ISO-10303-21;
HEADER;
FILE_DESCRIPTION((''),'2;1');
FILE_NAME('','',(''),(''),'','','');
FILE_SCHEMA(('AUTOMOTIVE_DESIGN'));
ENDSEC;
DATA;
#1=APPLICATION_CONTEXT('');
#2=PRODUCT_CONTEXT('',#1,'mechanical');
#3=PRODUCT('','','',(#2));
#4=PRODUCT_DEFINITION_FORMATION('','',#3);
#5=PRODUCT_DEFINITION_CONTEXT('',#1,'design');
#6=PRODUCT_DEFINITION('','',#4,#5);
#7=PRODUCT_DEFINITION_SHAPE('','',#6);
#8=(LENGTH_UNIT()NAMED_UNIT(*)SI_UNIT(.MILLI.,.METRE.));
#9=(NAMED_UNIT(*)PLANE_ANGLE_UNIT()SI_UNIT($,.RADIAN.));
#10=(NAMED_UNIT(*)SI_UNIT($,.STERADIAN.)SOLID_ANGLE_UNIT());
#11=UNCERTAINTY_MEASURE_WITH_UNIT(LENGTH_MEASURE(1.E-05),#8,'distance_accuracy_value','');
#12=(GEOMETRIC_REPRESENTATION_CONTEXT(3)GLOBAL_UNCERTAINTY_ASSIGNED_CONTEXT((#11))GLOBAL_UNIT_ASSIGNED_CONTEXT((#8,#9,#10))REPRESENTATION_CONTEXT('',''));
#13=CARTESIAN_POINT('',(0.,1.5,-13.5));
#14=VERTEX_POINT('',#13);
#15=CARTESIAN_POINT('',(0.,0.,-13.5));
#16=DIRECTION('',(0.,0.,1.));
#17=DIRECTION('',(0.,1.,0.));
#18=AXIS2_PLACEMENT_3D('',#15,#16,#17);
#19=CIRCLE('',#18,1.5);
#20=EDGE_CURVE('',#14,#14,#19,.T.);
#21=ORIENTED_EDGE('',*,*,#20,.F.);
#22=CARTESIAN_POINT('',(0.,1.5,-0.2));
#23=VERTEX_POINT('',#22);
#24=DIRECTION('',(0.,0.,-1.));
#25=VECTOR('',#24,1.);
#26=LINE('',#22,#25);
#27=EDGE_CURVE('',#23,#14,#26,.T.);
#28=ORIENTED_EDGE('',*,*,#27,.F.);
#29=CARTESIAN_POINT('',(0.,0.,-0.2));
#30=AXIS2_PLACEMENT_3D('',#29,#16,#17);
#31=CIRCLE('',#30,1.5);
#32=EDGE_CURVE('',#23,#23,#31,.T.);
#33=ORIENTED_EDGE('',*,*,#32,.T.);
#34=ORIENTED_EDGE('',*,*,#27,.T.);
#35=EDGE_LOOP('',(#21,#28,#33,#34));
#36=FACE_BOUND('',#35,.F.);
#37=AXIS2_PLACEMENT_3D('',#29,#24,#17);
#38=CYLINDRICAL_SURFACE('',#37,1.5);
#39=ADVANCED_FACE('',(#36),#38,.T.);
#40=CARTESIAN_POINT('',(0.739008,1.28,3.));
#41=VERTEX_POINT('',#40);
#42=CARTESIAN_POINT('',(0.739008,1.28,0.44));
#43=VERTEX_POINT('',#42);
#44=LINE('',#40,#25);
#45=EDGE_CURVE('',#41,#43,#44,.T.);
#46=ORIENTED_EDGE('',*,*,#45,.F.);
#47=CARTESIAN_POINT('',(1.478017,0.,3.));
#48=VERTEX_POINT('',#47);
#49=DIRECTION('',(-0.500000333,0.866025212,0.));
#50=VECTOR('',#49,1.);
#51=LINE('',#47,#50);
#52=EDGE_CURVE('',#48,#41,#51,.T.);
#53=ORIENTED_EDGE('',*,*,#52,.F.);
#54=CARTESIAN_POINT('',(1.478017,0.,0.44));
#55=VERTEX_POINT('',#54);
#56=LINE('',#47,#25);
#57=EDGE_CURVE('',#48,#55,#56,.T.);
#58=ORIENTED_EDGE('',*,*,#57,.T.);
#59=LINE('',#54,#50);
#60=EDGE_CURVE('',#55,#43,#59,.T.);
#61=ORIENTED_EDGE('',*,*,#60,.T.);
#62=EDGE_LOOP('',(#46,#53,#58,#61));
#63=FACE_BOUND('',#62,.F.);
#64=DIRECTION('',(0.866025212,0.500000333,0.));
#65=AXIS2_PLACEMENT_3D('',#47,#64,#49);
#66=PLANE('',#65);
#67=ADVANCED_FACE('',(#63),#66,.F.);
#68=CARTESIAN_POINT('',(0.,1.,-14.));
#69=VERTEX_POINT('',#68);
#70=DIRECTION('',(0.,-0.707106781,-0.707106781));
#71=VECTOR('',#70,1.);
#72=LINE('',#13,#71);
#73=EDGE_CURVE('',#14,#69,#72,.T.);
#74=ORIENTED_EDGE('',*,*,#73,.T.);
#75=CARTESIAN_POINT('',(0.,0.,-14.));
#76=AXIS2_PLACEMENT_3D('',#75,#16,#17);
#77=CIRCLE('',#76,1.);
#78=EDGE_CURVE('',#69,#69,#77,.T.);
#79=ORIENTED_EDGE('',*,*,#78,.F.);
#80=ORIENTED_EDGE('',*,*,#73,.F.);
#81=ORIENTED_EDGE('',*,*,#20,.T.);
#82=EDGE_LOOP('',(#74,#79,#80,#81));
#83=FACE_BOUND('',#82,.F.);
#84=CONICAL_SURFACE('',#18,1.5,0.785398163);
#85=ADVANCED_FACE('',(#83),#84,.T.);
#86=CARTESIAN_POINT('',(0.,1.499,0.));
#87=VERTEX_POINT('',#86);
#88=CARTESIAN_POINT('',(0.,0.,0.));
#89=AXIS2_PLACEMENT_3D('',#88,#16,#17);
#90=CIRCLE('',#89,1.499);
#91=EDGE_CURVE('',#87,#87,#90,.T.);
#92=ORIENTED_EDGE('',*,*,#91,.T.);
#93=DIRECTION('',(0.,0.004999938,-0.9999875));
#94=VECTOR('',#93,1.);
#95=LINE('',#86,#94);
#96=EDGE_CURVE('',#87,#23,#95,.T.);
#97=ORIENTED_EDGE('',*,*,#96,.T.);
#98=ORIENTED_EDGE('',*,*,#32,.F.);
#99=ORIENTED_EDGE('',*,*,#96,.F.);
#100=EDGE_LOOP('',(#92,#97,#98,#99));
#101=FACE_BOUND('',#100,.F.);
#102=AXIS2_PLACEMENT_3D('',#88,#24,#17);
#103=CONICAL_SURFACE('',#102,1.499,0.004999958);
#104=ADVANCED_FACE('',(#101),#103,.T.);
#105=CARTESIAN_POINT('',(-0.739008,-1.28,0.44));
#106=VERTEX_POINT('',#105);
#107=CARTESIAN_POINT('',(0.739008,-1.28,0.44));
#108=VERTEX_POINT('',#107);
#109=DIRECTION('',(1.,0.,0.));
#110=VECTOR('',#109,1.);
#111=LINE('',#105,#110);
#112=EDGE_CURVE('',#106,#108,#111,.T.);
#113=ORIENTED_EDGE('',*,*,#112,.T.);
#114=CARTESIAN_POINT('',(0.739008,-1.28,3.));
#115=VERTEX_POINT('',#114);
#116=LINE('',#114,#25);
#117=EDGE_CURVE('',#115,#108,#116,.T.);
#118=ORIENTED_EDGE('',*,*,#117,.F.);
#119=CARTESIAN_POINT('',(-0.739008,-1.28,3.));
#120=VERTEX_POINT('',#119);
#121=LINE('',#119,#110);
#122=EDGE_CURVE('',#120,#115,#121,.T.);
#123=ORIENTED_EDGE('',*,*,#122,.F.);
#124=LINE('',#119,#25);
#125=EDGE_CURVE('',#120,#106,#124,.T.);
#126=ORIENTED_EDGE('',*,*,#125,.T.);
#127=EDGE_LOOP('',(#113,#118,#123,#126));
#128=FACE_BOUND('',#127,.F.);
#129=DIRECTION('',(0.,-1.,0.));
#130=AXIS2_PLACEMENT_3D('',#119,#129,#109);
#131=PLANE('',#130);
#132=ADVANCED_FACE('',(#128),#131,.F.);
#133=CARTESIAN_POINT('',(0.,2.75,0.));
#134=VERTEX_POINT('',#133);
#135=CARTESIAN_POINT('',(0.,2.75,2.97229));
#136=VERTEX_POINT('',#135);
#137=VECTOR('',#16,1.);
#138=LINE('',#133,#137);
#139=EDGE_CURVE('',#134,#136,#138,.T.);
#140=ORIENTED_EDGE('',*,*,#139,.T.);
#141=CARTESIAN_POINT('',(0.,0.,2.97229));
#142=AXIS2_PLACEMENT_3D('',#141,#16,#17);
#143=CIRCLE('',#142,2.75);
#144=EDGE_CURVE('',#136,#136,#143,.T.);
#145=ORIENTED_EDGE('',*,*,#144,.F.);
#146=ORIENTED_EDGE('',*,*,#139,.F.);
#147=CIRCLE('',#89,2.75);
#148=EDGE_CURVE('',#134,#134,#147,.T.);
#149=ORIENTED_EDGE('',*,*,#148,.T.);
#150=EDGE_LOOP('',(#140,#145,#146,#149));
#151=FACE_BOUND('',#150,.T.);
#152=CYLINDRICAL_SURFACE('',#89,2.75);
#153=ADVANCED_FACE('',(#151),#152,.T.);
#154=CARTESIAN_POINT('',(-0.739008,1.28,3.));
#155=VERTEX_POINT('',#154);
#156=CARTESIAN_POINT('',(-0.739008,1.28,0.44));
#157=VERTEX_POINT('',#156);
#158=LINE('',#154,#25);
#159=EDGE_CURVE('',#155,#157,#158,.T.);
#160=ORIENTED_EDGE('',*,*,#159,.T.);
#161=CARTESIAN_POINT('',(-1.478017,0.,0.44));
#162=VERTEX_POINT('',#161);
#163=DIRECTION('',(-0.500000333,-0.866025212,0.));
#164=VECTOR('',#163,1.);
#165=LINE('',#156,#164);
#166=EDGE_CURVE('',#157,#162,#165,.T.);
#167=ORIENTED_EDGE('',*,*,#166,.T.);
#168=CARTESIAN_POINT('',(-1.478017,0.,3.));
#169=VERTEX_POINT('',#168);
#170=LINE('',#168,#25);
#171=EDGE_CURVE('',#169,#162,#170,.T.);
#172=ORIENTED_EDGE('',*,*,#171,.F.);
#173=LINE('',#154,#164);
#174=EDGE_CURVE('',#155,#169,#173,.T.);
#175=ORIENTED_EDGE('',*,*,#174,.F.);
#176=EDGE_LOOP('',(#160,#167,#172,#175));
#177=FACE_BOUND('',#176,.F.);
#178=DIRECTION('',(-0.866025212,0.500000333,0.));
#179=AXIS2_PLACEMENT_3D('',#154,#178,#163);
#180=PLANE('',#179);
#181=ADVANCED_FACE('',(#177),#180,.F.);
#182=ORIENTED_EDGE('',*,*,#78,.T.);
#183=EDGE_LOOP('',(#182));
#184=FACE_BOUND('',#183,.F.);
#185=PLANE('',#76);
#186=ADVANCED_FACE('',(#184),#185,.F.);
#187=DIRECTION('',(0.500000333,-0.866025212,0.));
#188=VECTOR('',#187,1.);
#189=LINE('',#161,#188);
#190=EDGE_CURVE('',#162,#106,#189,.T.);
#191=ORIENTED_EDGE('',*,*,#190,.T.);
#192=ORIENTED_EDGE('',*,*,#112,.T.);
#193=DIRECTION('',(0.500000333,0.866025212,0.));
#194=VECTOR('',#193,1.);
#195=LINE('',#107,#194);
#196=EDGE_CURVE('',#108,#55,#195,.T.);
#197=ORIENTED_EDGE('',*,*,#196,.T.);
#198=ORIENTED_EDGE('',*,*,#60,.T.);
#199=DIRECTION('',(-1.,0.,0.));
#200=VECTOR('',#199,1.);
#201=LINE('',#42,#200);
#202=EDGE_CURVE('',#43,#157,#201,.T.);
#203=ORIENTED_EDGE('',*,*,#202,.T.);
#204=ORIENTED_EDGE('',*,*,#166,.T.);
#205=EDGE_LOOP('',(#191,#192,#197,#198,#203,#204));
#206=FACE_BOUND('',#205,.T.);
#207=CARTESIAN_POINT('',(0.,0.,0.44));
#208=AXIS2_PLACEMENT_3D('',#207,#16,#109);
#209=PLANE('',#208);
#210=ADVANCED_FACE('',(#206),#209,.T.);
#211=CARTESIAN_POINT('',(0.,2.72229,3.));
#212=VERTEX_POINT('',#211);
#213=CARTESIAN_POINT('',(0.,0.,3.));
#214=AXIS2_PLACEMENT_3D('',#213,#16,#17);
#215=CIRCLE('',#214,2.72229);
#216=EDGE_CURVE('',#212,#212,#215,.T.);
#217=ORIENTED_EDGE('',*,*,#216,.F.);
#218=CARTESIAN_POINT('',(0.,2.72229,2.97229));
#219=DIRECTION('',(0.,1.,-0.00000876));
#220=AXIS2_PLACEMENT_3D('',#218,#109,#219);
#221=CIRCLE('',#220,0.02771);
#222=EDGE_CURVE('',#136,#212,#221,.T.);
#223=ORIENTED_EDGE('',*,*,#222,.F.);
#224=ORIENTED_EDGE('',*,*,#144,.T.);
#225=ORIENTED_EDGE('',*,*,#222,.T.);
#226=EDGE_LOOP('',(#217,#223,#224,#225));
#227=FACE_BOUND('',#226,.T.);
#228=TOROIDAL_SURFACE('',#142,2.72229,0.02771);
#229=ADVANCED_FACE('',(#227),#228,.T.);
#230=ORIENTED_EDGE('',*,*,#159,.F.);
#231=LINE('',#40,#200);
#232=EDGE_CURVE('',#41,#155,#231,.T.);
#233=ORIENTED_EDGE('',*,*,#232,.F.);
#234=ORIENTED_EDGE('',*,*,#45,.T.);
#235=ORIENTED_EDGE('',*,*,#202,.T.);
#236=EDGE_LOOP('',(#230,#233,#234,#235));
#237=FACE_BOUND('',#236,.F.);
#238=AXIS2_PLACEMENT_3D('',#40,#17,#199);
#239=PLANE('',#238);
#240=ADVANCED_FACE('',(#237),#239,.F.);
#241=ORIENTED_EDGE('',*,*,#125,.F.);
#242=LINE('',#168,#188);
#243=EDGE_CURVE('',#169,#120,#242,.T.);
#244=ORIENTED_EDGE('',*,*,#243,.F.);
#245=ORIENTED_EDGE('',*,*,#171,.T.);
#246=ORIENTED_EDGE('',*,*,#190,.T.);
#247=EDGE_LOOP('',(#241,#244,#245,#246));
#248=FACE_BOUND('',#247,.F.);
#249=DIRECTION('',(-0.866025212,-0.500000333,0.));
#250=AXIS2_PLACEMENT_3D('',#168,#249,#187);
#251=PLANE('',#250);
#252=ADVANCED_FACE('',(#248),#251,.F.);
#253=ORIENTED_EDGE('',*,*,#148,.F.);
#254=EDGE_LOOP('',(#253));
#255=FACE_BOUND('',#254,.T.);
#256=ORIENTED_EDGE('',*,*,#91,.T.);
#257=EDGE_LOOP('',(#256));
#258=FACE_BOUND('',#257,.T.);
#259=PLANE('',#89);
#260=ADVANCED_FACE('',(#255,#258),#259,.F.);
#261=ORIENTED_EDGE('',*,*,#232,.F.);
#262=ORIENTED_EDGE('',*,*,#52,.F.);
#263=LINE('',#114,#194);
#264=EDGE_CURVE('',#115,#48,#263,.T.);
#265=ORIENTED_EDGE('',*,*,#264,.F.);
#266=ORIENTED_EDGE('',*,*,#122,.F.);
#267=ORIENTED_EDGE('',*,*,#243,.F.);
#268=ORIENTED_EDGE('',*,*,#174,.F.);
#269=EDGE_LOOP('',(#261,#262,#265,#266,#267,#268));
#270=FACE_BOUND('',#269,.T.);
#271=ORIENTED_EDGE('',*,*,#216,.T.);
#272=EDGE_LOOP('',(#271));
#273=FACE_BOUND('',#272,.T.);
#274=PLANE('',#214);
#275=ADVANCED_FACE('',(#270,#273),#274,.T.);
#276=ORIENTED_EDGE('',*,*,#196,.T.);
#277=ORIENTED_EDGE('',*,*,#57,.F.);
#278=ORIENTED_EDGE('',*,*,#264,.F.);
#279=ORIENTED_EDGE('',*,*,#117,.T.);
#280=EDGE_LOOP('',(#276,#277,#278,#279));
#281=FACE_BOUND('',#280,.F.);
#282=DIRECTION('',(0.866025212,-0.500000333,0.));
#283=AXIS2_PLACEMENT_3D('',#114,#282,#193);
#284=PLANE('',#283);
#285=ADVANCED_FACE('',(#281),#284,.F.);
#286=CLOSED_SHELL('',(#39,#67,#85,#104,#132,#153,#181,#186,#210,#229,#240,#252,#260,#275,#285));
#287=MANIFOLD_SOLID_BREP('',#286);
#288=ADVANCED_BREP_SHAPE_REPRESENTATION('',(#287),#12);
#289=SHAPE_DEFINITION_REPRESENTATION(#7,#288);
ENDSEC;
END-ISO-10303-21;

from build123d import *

# Parameters (mm, degrees)
POCKET_DEPTH = 2.56


with BuildPart() as part:
    # Sketch → Revolve (revolve)
    with BuildSketch(Plane.YZ):
        with BuildLine():
            Line((1.499, 0), (2.75, 0))
            Line((2.75, 0), (2.75, 2.97229))
            ThreePointArc((2.75, 2.97229), (2.741884, 2.991884), (2.72229, 3))
            Line((2.72229, 3), (0, 3))
            Line((0, -14), (0, 3))
            Line((1, -14), (0, -14))
            Line((1.5, -13.5), (1, -14))
            Line((1.5, -0.2), (1.5, -13.5))
            Line((1.499, 0), (1.5, -0.2))
        make_face()
    revolve(axis=Axis((0, 0, 0), (0, 0, 1)))

    # Sketch001 → Pocket (cut)
    with BuildSketch(Plane.XY.offset(3)):
        Polygon((1.478017, 0), (0.739008, 1.28), (-0.739008, 1.28), (-1.478017, 0), (-0.739008, -1.28), (0.739008, -1.28), align=None)
    extrude(amount=-POCKET_DEPTH, mode=Mode.SUBTRACT)


solid = part.part
